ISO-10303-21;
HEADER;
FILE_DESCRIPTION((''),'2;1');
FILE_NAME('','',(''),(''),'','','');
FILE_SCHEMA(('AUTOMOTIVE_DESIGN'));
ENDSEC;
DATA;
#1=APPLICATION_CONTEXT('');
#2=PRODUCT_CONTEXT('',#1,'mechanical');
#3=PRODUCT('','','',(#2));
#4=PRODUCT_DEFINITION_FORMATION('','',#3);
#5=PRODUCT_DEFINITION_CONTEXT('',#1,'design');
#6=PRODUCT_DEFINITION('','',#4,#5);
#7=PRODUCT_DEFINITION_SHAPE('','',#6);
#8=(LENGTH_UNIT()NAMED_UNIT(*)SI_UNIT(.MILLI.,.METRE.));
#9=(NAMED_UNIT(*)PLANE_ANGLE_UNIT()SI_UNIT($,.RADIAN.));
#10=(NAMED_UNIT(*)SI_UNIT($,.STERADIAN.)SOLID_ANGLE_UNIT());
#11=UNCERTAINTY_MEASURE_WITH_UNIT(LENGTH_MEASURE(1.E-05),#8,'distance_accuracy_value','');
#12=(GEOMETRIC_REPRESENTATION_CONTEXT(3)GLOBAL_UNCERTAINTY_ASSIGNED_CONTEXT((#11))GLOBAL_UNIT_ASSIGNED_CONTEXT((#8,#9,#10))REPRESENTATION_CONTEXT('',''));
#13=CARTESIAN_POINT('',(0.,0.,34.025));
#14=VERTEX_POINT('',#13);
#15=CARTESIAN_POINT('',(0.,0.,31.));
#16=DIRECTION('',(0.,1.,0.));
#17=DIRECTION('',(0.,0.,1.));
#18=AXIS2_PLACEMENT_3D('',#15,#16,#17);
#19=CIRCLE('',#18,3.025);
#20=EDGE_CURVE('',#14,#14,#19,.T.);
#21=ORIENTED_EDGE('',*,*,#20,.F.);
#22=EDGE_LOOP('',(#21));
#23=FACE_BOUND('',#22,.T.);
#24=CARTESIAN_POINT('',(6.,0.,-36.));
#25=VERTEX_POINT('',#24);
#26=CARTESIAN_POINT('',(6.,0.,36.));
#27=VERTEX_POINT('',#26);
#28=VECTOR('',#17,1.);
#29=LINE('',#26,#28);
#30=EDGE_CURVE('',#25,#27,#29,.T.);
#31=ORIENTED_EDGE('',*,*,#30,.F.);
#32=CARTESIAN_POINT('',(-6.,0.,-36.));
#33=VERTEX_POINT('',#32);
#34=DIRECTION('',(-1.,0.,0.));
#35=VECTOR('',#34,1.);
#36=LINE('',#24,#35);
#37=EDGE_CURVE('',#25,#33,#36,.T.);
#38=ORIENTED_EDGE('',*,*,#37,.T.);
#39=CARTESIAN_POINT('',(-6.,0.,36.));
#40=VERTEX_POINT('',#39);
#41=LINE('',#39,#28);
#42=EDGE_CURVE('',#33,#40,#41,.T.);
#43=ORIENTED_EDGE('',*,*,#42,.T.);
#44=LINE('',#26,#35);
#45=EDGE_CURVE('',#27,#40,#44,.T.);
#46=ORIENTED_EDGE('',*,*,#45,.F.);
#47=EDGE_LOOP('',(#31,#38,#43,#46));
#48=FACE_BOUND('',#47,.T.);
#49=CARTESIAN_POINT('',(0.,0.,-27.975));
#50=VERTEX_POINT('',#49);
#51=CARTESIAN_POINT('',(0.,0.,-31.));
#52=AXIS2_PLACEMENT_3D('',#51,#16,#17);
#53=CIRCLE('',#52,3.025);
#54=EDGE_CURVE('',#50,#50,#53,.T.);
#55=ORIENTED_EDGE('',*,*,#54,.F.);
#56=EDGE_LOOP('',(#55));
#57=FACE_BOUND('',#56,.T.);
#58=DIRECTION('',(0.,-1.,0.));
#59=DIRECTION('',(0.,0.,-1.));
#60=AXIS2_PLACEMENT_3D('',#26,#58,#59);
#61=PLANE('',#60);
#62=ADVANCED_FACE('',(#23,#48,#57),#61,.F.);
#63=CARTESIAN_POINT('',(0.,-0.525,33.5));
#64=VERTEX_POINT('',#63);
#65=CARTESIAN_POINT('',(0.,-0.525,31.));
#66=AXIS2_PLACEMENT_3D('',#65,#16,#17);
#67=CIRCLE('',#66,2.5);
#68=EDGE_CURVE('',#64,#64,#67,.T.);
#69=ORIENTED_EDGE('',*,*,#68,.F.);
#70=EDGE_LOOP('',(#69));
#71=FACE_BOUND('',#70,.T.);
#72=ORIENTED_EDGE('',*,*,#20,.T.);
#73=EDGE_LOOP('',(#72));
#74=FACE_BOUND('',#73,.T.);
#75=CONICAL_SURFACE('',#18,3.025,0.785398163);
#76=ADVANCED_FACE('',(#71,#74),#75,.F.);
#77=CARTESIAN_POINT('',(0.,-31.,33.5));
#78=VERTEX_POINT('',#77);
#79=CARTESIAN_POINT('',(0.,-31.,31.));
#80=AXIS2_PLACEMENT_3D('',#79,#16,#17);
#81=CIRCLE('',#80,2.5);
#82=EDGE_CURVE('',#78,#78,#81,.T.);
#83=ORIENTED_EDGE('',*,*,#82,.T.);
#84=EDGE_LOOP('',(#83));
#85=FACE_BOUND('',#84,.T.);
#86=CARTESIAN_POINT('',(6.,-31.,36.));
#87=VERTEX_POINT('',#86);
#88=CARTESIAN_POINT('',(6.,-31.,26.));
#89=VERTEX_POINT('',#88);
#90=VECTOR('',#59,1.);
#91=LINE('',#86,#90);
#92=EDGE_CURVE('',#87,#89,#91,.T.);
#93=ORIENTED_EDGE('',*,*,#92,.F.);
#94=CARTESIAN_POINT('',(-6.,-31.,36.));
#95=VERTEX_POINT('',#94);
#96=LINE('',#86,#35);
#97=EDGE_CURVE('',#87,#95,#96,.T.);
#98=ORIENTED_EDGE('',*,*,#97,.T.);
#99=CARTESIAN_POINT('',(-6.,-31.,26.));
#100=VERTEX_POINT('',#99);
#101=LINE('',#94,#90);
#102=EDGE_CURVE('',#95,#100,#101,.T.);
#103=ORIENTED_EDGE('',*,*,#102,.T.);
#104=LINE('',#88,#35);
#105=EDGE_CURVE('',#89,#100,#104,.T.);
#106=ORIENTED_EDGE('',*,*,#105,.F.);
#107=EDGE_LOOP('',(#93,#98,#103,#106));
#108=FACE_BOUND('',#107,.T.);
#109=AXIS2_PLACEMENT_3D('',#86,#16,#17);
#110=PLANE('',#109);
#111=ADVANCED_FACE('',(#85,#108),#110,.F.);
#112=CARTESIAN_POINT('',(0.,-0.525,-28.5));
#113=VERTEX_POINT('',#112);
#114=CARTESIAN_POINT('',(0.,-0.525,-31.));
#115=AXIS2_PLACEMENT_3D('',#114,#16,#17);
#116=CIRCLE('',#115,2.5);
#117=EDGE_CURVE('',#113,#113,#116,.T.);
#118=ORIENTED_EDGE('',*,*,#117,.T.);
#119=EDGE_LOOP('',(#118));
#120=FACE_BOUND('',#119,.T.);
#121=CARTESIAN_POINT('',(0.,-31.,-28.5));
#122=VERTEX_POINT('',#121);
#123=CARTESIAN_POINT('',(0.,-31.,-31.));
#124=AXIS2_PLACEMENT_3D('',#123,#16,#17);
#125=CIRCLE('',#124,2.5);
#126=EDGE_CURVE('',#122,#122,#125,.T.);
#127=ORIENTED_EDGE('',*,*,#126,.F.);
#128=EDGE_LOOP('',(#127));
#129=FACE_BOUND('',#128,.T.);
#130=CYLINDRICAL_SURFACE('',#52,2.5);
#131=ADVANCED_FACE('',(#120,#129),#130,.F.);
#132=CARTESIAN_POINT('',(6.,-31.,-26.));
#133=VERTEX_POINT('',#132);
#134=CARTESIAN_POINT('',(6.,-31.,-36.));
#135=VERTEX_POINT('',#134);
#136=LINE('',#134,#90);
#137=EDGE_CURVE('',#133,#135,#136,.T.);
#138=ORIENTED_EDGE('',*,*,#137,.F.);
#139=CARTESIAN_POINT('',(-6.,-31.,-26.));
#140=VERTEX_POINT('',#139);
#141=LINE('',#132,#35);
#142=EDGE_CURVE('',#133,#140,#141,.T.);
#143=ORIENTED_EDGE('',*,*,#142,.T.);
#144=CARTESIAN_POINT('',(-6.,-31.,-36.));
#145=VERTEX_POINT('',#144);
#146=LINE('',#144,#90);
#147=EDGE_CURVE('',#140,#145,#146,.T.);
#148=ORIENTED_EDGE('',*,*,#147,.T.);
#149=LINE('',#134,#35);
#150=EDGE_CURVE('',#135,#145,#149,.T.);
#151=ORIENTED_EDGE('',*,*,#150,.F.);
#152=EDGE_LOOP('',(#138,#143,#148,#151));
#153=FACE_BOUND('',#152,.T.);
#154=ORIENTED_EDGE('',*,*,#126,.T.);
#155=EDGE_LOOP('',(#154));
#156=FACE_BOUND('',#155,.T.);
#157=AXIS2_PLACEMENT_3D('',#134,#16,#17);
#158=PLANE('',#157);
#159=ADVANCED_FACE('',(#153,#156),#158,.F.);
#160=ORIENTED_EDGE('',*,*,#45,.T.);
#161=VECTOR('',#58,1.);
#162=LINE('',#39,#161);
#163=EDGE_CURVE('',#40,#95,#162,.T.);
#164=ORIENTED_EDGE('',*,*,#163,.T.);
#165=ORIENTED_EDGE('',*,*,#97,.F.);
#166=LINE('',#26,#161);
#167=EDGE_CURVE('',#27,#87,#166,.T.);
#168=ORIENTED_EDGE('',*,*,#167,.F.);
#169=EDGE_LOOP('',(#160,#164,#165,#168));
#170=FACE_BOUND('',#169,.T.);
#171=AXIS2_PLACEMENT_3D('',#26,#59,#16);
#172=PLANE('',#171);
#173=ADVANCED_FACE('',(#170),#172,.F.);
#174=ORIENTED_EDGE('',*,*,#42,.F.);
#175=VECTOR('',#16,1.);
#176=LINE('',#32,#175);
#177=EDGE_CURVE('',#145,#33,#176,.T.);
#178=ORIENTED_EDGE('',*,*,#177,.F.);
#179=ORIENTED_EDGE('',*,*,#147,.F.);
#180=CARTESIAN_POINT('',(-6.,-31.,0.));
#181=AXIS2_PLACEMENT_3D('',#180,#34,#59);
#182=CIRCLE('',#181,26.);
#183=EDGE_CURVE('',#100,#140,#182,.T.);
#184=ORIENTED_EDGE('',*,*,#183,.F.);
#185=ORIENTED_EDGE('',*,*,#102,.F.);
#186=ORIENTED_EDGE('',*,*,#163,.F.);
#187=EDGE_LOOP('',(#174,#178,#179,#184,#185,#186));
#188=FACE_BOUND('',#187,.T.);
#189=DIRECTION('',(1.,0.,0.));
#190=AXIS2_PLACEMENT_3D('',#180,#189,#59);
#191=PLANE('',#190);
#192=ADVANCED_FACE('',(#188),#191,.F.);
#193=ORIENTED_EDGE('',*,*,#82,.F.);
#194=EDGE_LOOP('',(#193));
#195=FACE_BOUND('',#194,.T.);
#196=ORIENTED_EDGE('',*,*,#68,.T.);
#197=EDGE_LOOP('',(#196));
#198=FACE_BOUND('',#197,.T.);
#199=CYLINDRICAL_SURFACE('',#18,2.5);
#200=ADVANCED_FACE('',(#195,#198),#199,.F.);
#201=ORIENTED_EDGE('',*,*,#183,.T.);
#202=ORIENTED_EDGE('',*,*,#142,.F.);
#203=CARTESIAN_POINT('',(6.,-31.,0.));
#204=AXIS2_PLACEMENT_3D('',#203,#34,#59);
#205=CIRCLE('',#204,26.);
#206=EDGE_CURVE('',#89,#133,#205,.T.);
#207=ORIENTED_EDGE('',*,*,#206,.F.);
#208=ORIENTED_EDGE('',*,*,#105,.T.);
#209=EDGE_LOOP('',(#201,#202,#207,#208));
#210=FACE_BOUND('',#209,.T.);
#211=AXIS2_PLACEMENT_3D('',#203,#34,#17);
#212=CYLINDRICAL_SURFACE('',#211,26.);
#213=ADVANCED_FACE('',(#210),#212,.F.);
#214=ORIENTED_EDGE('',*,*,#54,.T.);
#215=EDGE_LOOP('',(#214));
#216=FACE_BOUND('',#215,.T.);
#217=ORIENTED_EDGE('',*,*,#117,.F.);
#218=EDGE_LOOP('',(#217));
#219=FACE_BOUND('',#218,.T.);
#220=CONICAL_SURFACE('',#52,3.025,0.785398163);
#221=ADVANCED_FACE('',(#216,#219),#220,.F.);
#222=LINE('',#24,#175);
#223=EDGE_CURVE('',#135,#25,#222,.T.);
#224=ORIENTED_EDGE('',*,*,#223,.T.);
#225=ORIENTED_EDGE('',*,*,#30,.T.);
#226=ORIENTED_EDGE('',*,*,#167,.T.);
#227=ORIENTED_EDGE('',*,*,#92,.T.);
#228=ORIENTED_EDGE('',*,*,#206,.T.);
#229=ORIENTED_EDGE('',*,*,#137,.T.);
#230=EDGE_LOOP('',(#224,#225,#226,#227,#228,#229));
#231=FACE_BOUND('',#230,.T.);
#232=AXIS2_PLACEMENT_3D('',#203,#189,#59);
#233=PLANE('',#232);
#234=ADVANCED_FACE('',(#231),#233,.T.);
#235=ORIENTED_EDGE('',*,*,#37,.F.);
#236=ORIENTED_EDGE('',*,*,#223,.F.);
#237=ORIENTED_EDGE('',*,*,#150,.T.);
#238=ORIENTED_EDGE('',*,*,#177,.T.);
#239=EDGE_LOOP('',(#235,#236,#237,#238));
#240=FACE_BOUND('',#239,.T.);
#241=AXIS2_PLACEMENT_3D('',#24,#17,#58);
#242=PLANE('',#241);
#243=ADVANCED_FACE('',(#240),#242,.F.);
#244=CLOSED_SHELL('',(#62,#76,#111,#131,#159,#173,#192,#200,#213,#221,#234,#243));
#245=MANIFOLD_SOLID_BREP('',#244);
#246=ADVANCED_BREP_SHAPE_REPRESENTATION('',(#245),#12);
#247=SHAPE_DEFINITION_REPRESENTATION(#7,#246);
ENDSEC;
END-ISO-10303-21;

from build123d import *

# Parameters (mm, degrees)
BOSS_EXTRUDE1_DEPTH         = 6
M6_TAPPED_HOLE1_D           = 5
M6_TAPPED_HOLE1_CSINK_D     = 6.05
M6_TAPPED_HOLE1_CSINK_ANGLE = 90


with BuildPart() as part:
    # Sketch1 → Boss-Extrude1 (new, symmetric)
    with BuildSketch(Plane(origin=(0, 0, 0), x_dir=(0, 0, -1), z_dir=(1, 0, 0))):
        with BuildLine():
            Line((-36, 0), (36, 0))
            Line((36, 0), (36, -31))
            Line((36, -31), (26, -31))
            ThreePointArc((26, -31), (0, -5), (-26, -31))
            Line((-26, -31), (-36, -31))
            Line((-36, -31), (-36, 0))
        make_face()
    extrude(amount=BOSS_EXTRUDE1_DEPTH, both=True)

    # M6 Tapped Hole1 (through all)
    with Locations(Plane(origin=(0, 0, 0), x_dir=(1, 0, 0), z_dir=(0, 1, 0))):
        with Locations((0, -31), (0, 31)):
            CounterSinkHole(M6_TAPPED_HOLE1_D / 2, M6_TAPPED_HOLE1_CSINK_D / 2, counter_sink_angle=M6_TAPPED_HOLE1_CSINK_ANGLE)


solid = part.part
